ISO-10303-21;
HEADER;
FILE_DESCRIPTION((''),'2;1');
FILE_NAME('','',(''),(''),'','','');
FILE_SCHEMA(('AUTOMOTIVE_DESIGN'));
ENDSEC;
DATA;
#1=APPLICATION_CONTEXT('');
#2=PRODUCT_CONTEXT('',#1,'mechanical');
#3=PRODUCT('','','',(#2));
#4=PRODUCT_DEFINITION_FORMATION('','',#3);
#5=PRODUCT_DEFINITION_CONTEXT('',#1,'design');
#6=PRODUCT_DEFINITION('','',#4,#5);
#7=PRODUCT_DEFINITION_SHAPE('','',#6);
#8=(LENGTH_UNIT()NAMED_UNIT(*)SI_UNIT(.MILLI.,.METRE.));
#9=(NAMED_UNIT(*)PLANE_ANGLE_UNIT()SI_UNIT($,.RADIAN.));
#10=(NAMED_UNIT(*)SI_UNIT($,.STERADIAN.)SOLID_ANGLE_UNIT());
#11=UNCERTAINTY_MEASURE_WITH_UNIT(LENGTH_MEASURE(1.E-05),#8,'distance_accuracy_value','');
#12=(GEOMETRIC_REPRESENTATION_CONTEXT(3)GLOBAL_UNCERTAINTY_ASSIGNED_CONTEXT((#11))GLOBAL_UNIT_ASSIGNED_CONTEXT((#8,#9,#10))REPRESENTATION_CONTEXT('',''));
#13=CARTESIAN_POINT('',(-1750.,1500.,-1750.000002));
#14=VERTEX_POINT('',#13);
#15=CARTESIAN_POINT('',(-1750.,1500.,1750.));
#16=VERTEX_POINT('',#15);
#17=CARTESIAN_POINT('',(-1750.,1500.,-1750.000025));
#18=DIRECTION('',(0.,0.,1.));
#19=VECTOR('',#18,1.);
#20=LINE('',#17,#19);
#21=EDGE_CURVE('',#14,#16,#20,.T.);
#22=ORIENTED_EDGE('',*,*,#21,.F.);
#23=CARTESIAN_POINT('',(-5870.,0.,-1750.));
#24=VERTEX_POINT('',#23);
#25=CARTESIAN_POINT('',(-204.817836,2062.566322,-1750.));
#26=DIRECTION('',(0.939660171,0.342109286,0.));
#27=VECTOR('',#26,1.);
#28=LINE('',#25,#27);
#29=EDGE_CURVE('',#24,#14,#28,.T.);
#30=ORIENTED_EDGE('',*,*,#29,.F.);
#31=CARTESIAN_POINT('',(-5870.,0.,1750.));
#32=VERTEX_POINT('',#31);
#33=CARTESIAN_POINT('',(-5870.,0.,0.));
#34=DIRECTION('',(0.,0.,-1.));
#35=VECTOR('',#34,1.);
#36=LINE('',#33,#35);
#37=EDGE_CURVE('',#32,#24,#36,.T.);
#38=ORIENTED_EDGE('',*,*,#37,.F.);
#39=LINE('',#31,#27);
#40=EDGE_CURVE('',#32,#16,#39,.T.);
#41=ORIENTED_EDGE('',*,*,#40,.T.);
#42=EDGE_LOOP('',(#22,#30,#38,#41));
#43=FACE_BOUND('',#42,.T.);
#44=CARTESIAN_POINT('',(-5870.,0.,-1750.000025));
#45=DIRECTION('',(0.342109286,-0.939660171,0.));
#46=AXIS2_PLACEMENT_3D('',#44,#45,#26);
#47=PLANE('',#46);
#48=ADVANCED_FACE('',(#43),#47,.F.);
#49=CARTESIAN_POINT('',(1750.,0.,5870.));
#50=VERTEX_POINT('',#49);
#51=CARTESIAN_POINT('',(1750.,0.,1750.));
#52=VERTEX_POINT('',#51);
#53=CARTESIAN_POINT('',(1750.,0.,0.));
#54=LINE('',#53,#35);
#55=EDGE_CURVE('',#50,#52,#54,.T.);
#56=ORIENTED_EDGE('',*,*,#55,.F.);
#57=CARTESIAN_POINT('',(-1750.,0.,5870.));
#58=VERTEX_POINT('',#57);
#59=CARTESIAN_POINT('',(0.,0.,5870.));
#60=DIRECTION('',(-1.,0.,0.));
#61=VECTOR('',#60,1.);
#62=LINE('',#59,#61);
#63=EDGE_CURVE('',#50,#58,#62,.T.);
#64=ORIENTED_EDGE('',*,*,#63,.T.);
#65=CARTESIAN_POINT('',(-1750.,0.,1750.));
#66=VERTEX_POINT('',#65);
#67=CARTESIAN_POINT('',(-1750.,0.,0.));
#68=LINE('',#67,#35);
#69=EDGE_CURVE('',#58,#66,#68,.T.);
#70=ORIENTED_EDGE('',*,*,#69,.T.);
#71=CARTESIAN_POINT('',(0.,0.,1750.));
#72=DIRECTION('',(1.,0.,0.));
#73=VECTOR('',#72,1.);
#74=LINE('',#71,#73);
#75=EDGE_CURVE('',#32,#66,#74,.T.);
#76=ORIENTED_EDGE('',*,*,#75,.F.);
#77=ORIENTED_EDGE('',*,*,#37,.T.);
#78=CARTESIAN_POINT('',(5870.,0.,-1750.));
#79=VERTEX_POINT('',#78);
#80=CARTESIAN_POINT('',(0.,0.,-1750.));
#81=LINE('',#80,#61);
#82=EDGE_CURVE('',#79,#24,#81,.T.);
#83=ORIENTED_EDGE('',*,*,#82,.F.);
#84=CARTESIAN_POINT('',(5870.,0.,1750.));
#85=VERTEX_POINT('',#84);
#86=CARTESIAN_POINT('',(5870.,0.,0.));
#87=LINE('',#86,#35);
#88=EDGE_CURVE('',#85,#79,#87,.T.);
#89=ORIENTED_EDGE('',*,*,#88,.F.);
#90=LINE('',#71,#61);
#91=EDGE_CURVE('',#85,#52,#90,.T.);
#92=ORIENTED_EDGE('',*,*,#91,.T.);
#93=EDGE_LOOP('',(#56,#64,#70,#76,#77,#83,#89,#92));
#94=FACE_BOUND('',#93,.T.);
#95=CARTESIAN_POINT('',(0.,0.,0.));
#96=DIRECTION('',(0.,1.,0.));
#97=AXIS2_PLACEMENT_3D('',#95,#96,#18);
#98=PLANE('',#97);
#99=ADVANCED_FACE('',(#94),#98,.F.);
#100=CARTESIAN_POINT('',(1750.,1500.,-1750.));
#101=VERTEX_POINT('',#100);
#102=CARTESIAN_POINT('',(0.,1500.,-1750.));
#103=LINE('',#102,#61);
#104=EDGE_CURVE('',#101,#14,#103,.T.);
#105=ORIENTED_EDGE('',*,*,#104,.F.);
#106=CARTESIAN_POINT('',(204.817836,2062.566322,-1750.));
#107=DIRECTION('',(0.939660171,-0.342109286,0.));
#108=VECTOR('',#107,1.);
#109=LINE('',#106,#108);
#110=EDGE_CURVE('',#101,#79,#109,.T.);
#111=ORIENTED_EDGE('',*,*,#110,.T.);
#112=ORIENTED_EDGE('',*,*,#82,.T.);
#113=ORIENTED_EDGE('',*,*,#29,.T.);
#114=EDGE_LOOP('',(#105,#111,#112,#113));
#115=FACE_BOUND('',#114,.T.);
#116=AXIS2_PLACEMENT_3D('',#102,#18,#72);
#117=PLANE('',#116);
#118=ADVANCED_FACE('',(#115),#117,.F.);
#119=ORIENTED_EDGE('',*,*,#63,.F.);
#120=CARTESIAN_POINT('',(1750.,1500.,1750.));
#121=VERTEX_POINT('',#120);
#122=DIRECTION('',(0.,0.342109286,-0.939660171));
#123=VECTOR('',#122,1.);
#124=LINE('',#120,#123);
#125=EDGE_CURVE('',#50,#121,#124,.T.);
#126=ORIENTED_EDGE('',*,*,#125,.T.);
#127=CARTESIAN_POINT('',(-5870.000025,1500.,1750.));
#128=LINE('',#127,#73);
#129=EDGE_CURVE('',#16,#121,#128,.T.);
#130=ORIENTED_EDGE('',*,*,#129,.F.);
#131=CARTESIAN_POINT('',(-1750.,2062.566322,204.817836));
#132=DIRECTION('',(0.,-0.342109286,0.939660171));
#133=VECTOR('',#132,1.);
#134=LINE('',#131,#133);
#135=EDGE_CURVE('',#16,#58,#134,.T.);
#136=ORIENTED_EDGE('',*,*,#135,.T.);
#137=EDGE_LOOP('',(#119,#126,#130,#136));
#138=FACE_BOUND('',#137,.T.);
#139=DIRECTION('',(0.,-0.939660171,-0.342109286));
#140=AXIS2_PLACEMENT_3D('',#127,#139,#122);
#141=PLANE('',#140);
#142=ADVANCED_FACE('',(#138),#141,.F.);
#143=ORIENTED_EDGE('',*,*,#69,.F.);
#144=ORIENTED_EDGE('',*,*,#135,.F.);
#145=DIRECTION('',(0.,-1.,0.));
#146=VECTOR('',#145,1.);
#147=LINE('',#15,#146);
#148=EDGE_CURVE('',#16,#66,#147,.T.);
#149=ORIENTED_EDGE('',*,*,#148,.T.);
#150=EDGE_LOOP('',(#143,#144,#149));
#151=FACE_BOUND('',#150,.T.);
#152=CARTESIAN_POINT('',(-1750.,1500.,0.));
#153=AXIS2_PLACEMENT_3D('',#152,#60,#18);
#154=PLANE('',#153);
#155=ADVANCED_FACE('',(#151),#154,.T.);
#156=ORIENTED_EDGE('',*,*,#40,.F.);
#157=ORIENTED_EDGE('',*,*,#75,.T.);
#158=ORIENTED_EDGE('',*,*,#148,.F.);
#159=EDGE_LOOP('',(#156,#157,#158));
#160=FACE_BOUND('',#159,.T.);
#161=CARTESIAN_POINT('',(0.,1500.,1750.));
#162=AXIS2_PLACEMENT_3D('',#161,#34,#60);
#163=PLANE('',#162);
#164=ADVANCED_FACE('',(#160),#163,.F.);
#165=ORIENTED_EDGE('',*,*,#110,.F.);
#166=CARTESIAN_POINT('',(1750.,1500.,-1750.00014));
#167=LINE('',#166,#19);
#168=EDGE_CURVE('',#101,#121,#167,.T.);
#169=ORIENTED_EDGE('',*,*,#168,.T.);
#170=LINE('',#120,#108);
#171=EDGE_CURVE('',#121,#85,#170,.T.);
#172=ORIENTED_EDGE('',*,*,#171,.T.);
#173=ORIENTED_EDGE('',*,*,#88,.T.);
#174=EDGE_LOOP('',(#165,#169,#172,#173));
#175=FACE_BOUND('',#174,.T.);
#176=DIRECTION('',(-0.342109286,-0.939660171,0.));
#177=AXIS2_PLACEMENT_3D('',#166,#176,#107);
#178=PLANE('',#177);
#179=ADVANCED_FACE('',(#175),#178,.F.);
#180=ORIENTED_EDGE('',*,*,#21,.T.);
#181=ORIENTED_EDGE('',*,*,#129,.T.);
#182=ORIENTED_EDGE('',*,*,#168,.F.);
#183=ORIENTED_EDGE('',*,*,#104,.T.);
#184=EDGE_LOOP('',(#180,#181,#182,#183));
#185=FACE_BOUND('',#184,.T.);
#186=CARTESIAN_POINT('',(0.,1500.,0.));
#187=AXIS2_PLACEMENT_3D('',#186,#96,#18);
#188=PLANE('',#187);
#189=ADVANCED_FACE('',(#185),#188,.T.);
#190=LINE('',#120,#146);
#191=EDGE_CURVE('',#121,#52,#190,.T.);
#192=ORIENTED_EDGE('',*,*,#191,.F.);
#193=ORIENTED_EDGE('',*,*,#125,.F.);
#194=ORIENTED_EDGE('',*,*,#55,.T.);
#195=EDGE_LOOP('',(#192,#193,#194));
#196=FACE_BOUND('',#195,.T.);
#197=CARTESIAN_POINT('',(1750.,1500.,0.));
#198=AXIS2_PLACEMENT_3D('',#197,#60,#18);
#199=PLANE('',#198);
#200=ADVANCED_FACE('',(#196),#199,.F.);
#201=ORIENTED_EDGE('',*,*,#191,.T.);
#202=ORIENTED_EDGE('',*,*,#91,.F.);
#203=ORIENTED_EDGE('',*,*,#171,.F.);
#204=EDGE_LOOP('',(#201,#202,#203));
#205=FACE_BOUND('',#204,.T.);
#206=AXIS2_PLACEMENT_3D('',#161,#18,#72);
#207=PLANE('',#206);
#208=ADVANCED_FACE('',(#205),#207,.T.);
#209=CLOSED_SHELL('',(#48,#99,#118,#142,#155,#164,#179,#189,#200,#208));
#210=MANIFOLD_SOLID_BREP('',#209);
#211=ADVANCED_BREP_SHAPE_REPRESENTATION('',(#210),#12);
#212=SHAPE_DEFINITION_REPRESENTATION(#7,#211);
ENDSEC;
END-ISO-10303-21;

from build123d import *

# Parameters (mm, degrees)
SKETCH1_W           = 3500
SKETCH1_H           = 3500
BOSS_EXTRUDE1_DEPTH = 1500
SKETCH1_5_W         = 3500
SKETCH1_5_H         = 4120
SKETCH1_5_W_2       = 4120
SKETCH1_5_H_2       = 3500
BOSS_EXTRUDE2_DEPTH = 1500
CUT_EXTRUDE1_DEPTH  = 9736.055212992
CUT_EXTRUDE2_DEPTH  = 7327.752350121
CUT_EXTRUDE4_DEPTH  = 7327.752350121


with BuildPart() as part:
    # Sketch1 → Boss-Extrude1 (new body)
    with BuildSketch(Plane(origin=(0, 0, 0), x_dir=(1, 0, 0), z_dir=(0, 1, 0))):
        Rectangle(SKETCH1_W, SKETCH1_H)
    extrude(amount=BOSS_EXTRUDE1_DEPTH)

    # Sketch1_5 → Boss-Extrude2 (add)
    with BuildSketch(Plane(origin=(0, 0, 0), x_dir=(1, 0, 0), z_dir=(0, 1, 0))):
        with Locations((0, -3810)):
            Rectangle(SKETCH1_5_W, SKETCH1_5_H)
        with Locations((-3810, 0)):
            Rectangle(SKETCH1_5_W_2, SKETCH1_5_H_2)
        with Locations((3810, 0)):
            Rectangle(SKETCH1_5_W_2, SKETCH1_5_H_2)
    extrude(amount=BOSS_EXTRUDE2_DEPTH)

    # Sketch2 → Cut-Extrude1 (cut, through all)
    with BuildSketch(Plane(origin=(1750, 0, 0), x_dir=(0, 0, -1), z_dir=(1, 0, 0))):
        Polygon((-1750, 1500), (-5870, 0), (-5870, 1500), align=None)
    extrude(amount=-CUT_EXTRUDE1_DEPTH, mode=Mode.SUBTRACT)

    # Sketch3 → Cut-Extrude2 (cut, through all)
    with BuildSketch(Plane.XY.offset(1750)):
        Polygon((-5870, 0), (-1750, 1500), (-5870, 1500), align=None)
    extrude(amount=-CUT_EXTRUDE2_DEPTH, mode=Mode.SUBTRACT)

    # Sketch4 → Cut-Extrude4 (cut, through all)
    with BuildSketch(Plane.XY.offset(1750)):
        Polygon((1750, 1500), (5870, 0), (5870, 1500), align=None)
    extrude(amount=-CUT_EXTRUDE4_DEPTH, mode=Mode.SUBTRACT)


solid = part.part
